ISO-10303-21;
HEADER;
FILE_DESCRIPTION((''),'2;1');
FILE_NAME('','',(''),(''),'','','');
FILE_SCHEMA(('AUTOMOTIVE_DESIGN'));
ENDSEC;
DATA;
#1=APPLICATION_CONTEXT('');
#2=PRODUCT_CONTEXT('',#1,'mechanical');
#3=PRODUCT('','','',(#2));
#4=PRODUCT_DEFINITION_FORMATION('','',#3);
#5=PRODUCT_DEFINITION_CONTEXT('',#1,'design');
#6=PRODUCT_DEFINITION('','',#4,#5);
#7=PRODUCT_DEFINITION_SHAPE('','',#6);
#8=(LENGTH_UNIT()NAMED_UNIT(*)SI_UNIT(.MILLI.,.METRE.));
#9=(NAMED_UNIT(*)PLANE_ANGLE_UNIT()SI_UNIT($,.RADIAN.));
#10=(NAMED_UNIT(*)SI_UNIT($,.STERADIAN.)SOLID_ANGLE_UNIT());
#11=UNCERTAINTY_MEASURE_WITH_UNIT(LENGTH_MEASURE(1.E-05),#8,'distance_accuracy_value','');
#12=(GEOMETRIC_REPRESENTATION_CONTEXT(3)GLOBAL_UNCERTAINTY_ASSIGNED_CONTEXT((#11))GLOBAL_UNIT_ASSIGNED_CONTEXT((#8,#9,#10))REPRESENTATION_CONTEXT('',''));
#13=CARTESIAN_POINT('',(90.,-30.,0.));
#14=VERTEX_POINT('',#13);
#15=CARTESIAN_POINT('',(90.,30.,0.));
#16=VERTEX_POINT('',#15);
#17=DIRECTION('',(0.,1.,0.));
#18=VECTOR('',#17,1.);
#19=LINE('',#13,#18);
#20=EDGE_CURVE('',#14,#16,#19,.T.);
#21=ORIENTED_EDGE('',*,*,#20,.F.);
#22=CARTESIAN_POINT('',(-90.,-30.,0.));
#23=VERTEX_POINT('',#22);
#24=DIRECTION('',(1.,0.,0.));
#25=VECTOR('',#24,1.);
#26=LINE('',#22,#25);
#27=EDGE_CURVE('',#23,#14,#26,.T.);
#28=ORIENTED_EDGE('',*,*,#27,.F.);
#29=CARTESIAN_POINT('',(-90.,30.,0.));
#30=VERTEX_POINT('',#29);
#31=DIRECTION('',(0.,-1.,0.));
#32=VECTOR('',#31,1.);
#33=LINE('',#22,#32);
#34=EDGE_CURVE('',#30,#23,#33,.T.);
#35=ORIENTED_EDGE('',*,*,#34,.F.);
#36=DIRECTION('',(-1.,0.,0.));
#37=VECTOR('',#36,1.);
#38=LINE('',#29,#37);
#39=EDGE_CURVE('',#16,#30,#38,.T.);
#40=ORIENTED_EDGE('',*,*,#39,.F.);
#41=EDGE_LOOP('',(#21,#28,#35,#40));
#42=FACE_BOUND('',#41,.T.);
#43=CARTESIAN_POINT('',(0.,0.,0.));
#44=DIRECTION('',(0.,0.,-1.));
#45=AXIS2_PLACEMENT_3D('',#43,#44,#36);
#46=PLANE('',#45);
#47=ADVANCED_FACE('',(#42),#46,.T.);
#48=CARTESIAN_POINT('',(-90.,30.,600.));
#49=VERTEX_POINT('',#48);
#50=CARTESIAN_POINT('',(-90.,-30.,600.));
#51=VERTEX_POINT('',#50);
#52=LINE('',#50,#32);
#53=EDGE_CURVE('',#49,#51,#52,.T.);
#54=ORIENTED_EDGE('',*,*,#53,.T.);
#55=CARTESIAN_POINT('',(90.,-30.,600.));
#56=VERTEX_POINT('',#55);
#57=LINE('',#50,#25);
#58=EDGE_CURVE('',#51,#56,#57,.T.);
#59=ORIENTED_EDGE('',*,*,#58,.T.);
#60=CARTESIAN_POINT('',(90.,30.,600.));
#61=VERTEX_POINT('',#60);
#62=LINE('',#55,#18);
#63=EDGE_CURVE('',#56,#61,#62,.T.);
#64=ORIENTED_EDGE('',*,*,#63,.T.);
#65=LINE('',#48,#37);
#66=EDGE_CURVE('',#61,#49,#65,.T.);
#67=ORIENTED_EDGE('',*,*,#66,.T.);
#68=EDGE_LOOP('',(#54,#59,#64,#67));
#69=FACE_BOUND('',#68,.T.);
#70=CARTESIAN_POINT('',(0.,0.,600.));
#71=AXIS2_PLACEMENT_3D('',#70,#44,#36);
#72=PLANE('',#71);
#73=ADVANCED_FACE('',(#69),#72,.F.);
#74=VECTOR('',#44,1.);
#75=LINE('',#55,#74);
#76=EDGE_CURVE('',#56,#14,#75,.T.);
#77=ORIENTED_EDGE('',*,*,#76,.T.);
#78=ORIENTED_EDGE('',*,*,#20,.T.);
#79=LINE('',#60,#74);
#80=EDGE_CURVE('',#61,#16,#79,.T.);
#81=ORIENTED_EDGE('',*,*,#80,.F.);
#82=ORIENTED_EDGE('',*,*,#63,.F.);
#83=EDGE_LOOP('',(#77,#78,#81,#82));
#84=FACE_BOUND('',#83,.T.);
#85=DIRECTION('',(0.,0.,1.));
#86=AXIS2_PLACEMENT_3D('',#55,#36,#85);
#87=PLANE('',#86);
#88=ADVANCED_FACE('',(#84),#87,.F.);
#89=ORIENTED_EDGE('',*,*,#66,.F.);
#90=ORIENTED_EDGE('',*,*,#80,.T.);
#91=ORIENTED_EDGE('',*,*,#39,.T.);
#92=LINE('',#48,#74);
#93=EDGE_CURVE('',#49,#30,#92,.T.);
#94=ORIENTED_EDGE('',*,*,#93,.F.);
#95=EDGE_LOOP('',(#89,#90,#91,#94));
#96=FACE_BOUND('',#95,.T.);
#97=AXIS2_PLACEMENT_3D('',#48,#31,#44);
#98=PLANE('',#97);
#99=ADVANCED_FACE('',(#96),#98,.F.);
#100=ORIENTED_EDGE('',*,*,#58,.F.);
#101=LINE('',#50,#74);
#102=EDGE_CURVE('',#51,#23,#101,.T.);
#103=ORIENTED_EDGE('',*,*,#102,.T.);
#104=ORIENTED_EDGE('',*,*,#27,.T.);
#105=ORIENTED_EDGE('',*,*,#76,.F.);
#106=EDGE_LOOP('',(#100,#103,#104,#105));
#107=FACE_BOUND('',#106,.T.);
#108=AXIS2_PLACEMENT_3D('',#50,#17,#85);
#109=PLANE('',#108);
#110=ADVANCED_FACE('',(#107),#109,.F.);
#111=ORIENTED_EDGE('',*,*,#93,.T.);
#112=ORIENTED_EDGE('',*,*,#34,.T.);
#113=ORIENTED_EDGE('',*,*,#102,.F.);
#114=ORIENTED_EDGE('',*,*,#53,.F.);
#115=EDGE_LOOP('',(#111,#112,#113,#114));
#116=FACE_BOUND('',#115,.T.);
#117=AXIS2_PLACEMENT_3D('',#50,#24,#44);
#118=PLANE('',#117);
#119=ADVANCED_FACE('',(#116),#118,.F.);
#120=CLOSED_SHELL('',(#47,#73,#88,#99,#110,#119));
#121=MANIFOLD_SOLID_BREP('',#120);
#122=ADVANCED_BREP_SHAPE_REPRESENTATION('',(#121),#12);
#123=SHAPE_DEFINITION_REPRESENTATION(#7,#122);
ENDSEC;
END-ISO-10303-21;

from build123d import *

# Parameters (mm, degrees)
SKETCH_2_W      = 180
SKETCH_2_H      = 60
EXTRUDE_1_DEPTH = 600


with BuildPart() as part:
    # 草图2 → 凸台-拉伸1 (new body)
    with BuildSketch(Plane.XY):
        Rectangle(SKETCH_2_W, SKETCH_2_H)
    extrude(amount=EXTRUDE_1_DEPTH)


solid = part.part
